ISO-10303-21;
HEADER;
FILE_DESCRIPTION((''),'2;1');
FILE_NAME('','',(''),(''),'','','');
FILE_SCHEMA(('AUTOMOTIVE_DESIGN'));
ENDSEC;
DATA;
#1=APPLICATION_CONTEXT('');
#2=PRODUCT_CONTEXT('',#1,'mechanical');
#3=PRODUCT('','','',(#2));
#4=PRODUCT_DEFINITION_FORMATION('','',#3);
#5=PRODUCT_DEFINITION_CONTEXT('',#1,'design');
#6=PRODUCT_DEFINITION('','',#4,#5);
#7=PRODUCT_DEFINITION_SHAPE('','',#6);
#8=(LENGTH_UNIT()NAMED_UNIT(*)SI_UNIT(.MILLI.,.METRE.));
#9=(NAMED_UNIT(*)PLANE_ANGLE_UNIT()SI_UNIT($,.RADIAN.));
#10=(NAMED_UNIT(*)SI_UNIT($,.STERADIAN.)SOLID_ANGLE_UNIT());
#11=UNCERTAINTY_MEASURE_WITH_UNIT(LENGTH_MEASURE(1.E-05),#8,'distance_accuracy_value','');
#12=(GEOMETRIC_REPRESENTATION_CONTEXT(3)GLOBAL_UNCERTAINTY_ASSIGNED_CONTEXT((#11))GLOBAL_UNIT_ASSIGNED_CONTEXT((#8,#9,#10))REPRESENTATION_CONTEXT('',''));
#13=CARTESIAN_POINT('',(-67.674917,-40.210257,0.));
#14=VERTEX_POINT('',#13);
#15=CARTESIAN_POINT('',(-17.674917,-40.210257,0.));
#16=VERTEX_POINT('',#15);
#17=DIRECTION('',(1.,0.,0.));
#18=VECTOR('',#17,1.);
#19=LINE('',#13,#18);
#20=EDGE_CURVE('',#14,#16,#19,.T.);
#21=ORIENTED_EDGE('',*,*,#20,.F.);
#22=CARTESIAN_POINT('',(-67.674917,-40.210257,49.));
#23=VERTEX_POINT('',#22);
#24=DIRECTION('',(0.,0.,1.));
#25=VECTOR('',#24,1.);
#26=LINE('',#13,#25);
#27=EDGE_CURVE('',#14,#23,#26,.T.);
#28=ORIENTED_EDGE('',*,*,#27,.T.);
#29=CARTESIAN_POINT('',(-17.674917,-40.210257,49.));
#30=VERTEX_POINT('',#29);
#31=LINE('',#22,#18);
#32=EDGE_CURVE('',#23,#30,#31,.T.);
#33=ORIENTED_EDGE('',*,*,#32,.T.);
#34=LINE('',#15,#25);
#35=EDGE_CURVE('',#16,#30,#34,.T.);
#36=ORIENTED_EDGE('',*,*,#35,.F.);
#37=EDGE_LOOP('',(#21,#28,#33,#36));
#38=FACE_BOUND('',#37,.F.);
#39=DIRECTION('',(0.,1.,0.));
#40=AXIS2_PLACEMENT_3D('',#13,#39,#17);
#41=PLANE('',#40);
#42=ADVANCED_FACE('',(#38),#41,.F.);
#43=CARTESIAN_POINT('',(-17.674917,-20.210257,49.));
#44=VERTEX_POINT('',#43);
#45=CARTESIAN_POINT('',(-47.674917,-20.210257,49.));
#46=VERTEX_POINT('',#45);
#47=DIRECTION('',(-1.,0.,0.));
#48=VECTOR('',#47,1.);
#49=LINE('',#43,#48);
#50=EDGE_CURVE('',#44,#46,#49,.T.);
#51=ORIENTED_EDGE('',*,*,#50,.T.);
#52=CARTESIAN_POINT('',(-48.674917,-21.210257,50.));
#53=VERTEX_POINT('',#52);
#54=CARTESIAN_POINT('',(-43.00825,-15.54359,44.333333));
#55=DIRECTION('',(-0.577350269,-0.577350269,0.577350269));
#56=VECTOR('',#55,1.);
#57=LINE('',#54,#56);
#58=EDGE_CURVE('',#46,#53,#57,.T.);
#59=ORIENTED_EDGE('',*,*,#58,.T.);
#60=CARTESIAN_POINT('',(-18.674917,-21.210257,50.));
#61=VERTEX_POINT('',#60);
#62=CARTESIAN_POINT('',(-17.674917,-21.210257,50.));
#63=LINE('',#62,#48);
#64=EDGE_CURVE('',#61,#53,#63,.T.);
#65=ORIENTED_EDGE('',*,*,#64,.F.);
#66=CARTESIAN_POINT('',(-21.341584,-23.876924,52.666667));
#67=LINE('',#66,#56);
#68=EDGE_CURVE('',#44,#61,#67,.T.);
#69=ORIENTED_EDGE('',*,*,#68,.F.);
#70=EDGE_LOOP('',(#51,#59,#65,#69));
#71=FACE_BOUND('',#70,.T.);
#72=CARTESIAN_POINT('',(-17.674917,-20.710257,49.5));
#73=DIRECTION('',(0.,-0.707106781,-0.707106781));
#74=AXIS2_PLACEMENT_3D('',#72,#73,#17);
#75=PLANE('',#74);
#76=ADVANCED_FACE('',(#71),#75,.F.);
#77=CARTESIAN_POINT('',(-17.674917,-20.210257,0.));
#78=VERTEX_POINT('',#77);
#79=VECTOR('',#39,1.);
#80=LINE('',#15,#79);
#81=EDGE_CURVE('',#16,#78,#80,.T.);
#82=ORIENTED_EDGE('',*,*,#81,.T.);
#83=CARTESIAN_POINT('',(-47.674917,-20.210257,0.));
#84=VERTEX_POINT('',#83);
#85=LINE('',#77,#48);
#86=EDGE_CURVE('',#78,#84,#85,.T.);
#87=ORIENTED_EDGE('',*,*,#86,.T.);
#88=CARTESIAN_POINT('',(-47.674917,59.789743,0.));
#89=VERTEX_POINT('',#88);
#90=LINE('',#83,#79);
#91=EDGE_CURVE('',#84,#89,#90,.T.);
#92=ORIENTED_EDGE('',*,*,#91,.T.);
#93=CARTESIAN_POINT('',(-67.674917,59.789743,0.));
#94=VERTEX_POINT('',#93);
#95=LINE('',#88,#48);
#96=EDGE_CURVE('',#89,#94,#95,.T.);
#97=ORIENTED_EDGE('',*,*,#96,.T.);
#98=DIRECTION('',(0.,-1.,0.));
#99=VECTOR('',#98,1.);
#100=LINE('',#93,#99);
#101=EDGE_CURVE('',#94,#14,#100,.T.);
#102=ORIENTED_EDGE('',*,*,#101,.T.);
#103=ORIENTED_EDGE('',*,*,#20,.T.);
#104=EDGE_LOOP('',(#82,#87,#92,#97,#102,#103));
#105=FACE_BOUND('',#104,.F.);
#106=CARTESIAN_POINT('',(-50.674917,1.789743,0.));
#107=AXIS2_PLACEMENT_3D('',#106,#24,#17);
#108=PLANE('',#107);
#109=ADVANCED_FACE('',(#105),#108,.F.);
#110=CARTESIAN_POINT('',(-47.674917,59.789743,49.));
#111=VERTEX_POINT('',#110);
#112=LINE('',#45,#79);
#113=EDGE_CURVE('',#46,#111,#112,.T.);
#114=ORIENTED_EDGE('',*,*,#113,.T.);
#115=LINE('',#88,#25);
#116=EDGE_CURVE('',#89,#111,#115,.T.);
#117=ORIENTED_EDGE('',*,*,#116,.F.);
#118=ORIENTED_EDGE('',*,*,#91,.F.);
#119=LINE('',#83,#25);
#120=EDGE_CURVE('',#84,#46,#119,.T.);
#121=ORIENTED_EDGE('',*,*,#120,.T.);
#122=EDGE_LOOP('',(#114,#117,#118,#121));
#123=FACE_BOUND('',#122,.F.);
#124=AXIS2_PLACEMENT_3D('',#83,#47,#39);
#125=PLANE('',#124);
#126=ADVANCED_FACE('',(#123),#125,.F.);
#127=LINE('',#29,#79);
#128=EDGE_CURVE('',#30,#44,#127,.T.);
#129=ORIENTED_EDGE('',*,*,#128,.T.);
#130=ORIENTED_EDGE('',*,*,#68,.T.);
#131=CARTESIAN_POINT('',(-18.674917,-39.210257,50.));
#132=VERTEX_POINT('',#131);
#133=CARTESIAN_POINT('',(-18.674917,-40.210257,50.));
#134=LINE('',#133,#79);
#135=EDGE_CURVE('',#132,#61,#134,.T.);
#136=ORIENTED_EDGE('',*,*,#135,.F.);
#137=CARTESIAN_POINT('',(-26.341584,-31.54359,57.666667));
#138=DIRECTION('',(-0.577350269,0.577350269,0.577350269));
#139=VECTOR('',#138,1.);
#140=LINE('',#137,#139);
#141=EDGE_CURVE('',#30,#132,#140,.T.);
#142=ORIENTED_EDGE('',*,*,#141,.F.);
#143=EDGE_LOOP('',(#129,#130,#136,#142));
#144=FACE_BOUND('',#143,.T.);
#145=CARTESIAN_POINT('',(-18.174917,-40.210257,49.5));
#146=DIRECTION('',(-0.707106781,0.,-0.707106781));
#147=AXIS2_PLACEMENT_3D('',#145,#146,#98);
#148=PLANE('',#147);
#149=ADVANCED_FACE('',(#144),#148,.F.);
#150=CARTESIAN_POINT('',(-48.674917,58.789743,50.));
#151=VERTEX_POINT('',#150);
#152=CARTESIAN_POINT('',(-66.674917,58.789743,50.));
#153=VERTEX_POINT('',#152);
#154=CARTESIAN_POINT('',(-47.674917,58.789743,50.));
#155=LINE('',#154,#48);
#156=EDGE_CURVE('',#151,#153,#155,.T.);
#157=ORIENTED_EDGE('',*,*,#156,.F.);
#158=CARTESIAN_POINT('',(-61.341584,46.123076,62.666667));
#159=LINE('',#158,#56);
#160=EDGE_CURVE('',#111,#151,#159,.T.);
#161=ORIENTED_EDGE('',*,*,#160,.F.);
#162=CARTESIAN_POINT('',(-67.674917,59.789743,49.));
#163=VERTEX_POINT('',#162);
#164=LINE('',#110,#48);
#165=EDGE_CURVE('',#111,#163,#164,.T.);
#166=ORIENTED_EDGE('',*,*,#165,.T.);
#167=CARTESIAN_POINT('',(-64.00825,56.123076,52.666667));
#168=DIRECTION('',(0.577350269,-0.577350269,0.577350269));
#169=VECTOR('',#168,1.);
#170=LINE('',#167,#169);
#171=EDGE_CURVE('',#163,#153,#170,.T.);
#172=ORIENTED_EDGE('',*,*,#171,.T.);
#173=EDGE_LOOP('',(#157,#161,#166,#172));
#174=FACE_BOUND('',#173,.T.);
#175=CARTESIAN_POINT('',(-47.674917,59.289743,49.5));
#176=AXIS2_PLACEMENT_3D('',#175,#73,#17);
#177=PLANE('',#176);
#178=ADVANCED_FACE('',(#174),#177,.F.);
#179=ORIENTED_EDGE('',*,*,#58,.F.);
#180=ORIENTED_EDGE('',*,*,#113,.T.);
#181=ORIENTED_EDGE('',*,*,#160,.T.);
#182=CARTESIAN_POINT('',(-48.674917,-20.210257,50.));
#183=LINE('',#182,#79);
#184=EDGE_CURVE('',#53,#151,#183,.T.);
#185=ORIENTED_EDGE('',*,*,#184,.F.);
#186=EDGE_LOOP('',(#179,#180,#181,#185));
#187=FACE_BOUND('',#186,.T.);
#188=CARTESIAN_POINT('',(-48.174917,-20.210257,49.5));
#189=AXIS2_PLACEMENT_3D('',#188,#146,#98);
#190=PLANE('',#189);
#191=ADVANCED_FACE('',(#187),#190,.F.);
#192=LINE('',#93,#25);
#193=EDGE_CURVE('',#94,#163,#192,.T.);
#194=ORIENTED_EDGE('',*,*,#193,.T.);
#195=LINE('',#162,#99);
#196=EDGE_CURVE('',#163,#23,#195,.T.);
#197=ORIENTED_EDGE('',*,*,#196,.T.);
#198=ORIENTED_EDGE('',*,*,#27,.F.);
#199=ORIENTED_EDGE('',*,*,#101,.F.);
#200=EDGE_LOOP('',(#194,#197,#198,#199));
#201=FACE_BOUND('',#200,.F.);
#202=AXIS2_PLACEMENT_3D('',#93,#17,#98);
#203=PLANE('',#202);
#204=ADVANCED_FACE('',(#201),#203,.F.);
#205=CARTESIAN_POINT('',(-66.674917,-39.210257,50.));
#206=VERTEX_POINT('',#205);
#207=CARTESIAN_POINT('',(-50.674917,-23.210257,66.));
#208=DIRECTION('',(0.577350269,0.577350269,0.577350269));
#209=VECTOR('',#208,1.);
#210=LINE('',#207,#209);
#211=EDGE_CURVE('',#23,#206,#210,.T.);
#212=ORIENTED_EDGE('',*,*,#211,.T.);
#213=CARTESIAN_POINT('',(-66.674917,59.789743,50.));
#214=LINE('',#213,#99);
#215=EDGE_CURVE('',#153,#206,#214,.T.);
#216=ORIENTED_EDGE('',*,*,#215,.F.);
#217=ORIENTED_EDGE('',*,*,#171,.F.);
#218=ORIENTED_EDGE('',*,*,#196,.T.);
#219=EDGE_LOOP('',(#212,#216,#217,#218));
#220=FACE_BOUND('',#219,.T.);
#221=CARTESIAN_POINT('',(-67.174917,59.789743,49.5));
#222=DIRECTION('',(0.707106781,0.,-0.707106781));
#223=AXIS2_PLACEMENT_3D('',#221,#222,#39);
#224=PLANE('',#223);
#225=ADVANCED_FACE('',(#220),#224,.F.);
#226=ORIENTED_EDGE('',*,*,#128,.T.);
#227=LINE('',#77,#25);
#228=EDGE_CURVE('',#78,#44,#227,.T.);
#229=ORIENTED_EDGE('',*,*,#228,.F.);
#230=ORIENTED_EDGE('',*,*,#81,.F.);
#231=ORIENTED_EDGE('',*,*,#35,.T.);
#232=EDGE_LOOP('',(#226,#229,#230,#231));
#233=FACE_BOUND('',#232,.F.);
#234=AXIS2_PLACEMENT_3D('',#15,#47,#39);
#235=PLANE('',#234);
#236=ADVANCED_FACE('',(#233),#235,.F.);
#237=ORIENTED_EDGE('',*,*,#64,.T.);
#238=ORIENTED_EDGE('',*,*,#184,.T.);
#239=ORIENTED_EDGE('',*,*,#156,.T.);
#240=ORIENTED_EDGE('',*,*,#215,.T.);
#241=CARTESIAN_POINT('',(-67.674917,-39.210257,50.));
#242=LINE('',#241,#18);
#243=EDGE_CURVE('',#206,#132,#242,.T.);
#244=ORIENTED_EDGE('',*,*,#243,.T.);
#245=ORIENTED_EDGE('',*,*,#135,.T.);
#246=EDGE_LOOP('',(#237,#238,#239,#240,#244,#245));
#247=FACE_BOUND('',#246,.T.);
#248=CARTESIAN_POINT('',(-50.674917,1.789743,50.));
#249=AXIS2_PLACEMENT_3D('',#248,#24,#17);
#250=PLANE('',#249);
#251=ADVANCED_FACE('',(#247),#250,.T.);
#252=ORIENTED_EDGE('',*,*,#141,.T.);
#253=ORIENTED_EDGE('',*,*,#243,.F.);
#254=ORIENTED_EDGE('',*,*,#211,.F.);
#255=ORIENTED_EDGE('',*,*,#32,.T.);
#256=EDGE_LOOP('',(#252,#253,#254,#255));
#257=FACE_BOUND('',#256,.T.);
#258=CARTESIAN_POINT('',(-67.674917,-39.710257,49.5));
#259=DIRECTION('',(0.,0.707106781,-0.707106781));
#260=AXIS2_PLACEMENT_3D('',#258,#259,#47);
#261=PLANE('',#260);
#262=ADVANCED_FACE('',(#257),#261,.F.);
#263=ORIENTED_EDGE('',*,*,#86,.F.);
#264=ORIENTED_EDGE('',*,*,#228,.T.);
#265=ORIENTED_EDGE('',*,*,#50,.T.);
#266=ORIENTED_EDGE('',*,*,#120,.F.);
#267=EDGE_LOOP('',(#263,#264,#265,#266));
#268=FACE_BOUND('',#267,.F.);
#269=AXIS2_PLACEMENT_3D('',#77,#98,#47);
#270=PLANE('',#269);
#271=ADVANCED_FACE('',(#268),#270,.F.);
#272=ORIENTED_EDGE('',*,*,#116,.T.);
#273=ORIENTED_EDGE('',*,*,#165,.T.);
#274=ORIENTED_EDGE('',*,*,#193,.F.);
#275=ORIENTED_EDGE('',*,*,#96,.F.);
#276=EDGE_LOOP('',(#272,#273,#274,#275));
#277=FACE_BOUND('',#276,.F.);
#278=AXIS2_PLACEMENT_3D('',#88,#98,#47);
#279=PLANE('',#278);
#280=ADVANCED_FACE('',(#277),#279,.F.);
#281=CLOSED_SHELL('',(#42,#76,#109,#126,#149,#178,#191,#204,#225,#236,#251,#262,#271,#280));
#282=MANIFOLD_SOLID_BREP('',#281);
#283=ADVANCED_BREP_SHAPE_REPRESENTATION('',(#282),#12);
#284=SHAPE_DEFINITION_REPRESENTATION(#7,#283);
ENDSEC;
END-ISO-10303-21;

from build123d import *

# Parameters (mm, degrees)
F1_DEPTH = 50
F2_SIZE  = 1


with BuildPart() as f1:
    # F0 (on Top) → F1 (new body)
    with BuildSketch(Plane.XY):
        Polygon((-67.674917, 59.789743), (-67.674917, -40.210257), (-17.674917, -40.210257), (-17.674917, -20.210257), (-47.674917, -20.210257), (-47.674917, 59.789743), align=None)
    extrude(amount=F1_DEPTH)

    # F2
    f2_edges = [f1.edges().sort_by_distance(p)[0] for p in [
        (-57.674917, 59.789743, 50),
        (-47.674917, 19.789743, 50),
        (-67.674917, 9.789743, 50),
        (-42.674917, -40.210257, 50),
        (-17.674917, -30.210257, 50),
        (-32.674917, -20.210257, 50),
    ]]
    chamfer(f2_edges, length=F2_SIZE)


solid = f1.part
